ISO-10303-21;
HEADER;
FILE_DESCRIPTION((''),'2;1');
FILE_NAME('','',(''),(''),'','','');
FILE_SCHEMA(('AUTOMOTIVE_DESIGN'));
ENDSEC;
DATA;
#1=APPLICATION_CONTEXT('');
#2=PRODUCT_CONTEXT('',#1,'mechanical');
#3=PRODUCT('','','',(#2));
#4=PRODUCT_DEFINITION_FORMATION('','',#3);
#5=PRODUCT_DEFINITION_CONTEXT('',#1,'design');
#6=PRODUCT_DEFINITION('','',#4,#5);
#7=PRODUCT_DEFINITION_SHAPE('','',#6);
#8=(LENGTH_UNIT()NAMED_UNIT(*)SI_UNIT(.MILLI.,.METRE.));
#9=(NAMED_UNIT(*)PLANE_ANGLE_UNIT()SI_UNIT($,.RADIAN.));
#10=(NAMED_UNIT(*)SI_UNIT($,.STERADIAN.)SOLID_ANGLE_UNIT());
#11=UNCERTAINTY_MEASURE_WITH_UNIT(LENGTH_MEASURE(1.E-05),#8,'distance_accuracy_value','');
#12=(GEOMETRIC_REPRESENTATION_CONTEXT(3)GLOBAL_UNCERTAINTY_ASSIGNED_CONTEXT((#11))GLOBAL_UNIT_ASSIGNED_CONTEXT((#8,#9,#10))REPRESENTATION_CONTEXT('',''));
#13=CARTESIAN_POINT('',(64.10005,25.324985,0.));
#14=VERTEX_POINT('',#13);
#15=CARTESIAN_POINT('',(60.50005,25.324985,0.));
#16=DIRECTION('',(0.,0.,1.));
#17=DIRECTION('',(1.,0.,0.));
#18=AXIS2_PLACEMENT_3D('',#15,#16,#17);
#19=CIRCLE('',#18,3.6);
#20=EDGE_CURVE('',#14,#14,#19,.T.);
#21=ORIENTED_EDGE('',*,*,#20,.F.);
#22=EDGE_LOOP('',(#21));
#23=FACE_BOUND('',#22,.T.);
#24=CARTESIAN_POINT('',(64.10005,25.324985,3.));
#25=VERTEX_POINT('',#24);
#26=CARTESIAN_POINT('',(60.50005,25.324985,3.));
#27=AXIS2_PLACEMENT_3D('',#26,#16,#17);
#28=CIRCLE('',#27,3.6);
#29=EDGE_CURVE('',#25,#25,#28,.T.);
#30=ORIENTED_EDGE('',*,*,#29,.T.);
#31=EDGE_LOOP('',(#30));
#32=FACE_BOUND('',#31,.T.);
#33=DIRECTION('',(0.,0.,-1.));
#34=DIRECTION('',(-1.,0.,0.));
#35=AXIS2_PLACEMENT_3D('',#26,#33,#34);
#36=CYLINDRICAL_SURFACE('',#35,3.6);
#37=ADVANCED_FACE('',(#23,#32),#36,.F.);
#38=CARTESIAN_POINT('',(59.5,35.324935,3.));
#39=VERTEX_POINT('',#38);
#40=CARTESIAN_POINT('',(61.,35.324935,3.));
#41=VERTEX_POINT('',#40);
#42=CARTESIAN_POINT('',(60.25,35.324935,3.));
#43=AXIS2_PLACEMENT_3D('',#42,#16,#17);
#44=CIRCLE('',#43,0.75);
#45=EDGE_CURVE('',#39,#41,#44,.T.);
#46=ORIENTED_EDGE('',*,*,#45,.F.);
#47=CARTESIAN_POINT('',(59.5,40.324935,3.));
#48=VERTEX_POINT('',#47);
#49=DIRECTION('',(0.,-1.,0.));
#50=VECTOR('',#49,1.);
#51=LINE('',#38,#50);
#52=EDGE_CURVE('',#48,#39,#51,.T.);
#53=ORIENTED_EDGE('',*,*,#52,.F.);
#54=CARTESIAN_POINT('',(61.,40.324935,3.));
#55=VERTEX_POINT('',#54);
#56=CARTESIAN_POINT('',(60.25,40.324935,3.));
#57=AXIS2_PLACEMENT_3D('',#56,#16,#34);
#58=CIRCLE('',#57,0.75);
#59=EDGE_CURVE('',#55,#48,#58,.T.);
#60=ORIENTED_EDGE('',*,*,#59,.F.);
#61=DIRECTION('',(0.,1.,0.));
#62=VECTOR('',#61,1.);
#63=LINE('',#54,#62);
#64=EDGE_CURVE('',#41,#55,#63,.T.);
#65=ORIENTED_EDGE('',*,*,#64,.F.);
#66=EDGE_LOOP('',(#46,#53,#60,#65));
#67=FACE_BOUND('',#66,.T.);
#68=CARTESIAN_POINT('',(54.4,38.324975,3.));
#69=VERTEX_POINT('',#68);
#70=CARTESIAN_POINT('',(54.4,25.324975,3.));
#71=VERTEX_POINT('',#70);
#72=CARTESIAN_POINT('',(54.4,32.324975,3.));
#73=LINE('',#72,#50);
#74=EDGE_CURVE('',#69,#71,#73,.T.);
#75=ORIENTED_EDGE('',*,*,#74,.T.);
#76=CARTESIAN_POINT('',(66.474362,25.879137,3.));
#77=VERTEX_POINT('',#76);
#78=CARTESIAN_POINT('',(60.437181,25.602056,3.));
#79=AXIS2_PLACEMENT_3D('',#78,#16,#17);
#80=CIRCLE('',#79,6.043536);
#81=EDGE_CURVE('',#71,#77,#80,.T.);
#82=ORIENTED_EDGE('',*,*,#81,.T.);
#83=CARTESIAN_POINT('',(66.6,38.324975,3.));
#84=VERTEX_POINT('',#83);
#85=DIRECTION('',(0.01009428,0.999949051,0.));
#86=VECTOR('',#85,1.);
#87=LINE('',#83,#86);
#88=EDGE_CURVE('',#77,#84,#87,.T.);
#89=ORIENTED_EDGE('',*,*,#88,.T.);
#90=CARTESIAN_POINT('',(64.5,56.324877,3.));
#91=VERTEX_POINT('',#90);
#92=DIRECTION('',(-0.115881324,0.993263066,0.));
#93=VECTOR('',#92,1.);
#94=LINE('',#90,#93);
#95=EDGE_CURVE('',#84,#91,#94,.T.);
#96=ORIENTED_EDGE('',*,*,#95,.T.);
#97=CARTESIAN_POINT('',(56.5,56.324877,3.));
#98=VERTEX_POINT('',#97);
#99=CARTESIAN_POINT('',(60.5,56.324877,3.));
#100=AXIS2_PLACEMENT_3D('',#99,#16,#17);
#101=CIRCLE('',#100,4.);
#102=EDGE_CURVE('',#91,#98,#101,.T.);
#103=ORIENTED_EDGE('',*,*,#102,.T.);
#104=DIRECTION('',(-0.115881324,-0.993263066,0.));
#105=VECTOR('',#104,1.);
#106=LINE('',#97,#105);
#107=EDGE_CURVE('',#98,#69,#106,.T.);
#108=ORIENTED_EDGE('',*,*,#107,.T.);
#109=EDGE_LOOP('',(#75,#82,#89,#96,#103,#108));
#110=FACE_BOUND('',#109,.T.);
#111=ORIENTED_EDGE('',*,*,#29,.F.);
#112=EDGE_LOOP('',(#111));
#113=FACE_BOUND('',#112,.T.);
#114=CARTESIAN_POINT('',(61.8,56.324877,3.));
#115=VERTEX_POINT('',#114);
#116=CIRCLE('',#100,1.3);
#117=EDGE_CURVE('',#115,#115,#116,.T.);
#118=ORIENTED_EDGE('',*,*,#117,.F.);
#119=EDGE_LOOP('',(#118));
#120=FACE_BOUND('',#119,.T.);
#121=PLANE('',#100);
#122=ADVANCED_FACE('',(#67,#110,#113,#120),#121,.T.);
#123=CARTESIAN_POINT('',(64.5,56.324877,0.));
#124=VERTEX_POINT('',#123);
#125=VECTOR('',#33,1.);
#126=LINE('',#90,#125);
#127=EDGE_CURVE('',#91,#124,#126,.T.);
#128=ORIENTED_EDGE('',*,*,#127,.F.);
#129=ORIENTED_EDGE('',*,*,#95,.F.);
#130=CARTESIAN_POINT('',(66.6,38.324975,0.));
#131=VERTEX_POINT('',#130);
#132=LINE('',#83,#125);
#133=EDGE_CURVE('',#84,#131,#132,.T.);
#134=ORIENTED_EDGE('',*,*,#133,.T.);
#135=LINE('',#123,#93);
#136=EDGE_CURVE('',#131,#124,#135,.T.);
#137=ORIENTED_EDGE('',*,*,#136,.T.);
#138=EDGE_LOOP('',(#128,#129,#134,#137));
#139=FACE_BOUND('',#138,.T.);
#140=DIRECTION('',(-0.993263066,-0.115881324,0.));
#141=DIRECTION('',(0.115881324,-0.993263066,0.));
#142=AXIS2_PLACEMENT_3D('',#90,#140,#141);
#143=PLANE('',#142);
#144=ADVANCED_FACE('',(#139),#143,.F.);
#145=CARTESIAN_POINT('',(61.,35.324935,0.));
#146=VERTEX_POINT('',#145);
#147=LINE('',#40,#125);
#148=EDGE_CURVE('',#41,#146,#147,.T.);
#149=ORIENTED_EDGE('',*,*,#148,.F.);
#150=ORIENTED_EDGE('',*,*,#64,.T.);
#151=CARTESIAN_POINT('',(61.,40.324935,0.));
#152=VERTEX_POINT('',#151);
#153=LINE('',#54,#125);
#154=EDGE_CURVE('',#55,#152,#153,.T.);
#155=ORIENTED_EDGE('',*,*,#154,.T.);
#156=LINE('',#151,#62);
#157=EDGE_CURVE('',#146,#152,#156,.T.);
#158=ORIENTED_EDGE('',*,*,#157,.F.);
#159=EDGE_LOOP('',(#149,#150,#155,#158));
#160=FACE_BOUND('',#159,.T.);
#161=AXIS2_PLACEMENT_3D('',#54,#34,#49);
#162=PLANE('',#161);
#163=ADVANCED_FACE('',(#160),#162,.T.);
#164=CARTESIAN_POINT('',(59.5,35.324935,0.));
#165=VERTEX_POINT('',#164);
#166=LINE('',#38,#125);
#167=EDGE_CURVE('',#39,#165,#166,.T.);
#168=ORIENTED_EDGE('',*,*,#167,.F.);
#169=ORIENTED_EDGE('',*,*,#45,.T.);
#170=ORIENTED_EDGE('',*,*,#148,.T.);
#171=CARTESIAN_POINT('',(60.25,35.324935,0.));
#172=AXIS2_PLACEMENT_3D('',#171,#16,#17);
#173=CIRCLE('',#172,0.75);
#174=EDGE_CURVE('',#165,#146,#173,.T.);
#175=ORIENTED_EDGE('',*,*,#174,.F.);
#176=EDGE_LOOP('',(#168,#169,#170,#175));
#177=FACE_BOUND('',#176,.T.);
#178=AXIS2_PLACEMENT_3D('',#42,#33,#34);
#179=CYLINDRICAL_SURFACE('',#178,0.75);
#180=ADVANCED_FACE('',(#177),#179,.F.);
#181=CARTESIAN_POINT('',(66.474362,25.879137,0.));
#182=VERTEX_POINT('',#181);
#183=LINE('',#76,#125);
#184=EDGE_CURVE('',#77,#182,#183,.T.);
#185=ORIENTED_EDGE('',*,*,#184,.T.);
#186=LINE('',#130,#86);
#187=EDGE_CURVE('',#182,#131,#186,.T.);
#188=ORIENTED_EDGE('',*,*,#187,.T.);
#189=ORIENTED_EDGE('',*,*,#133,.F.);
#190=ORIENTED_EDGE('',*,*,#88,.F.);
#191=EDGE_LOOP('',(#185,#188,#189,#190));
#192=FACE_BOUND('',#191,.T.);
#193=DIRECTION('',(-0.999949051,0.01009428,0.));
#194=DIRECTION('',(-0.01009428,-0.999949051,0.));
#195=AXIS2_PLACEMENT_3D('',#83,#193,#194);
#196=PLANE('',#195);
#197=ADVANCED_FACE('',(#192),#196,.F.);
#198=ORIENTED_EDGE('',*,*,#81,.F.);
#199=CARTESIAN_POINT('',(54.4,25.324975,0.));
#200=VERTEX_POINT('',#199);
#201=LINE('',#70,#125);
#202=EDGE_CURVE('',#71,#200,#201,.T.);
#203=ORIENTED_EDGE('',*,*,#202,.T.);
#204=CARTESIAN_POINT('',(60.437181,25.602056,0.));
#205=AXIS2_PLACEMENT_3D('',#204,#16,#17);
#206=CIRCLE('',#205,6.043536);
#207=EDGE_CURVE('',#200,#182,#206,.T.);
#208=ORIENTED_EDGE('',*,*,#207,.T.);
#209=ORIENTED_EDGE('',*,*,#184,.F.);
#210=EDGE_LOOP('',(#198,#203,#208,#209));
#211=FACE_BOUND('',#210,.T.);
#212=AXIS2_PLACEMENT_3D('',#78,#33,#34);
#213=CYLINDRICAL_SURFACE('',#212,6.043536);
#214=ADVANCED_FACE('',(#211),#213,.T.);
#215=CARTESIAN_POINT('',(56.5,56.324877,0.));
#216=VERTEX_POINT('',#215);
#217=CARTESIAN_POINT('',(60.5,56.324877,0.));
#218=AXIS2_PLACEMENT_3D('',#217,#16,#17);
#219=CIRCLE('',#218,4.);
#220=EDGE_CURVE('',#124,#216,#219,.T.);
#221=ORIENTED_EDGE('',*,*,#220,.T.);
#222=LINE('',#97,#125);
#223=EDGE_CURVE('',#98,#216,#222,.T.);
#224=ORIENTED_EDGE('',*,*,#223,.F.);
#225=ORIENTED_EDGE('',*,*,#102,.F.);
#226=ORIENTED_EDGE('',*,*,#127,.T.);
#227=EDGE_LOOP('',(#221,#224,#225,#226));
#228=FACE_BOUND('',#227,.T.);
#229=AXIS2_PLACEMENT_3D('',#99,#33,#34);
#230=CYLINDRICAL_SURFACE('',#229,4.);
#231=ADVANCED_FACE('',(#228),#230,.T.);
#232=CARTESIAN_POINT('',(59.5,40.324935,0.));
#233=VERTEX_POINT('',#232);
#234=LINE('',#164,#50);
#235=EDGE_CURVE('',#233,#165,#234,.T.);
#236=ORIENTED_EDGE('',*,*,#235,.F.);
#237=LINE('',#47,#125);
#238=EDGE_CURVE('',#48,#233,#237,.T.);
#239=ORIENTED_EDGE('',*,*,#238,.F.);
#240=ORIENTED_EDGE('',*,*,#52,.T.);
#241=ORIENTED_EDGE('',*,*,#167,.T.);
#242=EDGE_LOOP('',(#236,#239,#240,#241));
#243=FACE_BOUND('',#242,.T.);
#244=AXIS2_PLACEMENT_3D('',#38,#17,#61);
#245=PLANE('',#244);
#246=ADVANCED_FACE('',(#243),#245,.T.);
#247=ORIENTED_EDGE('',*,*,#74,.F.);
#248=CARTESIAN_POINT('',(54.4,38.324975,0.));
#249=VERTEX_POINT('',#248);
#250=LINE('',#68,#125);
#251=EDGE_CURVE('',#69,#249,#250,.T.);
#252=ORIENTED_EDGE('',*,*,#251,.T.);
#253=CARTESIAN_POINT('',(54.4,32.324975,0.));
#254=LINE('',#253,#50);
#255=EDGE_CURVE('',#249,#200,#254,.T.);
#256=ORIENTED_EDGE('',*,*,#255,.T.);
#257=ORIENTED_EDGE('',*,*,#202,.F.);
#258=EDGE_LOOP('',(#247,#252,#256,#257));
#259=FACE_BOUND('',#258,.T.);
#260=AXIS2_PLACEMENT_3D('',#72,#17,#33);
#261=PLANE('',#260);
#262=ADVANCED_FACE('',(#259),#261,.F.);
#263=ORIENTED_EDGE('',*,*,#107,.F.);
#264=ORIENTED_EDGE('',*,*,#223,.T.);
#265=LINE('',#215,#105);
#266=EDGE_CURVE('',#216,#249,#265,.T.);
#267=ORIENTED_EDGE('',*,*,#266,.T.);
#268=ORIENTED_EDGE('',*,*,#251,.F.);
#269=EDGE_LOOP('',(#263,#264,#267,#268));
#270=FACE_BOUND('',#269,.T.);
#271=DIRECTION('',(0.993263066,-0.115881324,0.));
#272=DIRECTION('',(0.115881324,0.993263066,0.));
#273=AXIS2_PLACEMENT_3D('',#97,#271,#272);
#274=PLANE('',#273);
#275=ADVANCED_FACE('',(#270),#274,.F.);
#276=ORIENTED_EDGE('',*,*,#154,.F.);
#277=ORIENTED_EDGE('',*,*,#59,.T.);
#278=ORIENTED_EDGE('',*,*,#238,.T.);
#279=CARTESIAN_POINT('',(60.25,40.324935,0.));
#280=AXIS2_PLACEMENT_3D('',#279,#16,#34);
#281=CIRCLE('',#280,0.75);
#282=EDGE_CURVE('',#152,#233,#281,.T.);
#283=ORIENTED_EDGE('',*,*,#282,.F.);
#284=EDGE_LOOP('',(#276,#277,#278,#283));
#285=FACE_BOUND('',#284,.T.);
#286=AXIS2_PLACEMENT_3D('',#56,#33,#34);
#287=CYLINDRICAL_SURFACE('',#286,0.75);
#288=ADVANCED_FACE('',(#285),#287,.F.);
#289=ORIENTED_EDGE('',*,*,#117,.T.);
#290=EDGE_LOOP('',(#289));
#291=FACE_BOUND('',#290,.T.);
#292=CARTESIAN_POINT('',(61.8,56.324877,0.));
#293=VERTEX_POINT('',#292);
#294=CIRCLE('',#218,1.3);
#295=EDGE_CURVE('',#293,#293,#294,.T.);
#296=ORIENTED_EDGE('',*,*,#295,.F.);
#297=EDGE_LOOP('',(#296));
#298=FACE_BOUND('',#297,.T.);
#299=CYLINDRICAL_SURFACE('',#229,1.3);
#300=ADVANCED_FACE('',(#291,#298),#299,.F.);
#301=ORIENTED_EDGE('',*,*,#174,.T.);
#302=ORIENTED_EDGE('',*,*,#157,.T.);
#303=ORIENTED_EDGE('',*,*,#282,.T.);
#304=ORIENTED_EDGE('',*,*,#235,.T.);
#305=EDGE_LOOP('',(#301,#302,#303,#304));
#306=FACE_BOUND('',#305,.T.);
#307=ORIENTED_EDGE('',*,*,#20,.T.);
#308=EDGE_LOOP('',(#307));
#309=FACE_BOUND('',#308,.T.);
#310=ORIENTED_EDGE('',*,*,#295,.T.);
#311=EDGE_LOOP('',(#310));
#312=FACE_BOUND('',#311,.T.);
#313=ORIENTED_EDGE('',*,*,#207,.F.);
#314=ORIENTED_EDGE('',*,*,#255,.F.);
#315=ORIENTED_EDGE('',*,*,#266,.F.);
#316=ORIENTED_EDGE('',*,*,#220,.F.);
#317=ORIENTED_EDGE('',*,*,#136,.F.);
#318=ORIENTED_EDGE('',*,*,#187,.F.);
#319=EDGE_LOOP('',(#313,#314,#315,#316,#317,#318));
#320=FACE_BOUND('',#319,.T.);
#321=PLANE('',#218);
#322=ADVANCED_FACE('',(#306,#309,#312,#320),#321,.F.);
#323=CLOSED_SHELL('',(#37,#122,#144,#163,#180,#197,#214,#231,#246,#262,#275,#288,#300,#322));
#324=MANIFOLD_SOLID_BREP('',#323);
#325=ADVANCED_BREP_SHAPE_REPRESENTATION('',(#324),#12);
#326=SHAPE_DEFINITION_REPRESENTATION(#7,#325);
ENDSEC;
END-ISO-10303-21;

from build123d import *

# Parameters (mm, degrees)
MODEL_R             = 1.3
MODEL_R_2           = 3.6
BOSS_EXTRUDE1_DEPTH = 3


with BuildPart() as part:
    # Model → Boss-Extrude1 (new body)
    with BuildSketch(Plane.XY):
        with BuildLine():
            Line((54.4, 32.324975002), (54.4, 38.324975002))
            Line((54.4, 38.324975002), (56.5, 56.324876617))
            ThreePointArc((56.5, 56.324876617), (60.5, 60.324876617), (64.5, 56.324876617))
            Line((64.5, 56.324876617), (66.6, 38.324975002))
            Line((66.6, 38.324975002), (66.474361825, 25.879137217))
            ThreePointArc((66.474361825, 25.879137217), (60.71426202, 19.564875197), (54.4, 25.324975002))
            Line((54.4, 25.324975002), (54.4, 32.324975002))
        make_face()
        with Locations((60.5, 56.324876617)):
            Circle(MODEL_R, mode=Mode.SUBTRACT)
        with Locations((60.50005, 25.324984722)):
            Circle(MODEL_R_2, mode=Mode.SUBTRACT)
        with BuildLine():
            Line((59.5, 35.324934722), (59.5, 40.324934722))
            ThreePointArc((59.5, 40.324934722), (60.25, 41.074934722), (61, 40.324934722))
            Line((61, 40.324934722), (61, 35.324934722))
            ThreePointArc((61, 35.324934722), (60.25, 34.574934722), (59.5, 35.324934722))
        make_face(mode=Mode.SUBTRACT)
    extrude(amount=BOSS_EXTRUDE1_DEPTH)


solid = part.part
